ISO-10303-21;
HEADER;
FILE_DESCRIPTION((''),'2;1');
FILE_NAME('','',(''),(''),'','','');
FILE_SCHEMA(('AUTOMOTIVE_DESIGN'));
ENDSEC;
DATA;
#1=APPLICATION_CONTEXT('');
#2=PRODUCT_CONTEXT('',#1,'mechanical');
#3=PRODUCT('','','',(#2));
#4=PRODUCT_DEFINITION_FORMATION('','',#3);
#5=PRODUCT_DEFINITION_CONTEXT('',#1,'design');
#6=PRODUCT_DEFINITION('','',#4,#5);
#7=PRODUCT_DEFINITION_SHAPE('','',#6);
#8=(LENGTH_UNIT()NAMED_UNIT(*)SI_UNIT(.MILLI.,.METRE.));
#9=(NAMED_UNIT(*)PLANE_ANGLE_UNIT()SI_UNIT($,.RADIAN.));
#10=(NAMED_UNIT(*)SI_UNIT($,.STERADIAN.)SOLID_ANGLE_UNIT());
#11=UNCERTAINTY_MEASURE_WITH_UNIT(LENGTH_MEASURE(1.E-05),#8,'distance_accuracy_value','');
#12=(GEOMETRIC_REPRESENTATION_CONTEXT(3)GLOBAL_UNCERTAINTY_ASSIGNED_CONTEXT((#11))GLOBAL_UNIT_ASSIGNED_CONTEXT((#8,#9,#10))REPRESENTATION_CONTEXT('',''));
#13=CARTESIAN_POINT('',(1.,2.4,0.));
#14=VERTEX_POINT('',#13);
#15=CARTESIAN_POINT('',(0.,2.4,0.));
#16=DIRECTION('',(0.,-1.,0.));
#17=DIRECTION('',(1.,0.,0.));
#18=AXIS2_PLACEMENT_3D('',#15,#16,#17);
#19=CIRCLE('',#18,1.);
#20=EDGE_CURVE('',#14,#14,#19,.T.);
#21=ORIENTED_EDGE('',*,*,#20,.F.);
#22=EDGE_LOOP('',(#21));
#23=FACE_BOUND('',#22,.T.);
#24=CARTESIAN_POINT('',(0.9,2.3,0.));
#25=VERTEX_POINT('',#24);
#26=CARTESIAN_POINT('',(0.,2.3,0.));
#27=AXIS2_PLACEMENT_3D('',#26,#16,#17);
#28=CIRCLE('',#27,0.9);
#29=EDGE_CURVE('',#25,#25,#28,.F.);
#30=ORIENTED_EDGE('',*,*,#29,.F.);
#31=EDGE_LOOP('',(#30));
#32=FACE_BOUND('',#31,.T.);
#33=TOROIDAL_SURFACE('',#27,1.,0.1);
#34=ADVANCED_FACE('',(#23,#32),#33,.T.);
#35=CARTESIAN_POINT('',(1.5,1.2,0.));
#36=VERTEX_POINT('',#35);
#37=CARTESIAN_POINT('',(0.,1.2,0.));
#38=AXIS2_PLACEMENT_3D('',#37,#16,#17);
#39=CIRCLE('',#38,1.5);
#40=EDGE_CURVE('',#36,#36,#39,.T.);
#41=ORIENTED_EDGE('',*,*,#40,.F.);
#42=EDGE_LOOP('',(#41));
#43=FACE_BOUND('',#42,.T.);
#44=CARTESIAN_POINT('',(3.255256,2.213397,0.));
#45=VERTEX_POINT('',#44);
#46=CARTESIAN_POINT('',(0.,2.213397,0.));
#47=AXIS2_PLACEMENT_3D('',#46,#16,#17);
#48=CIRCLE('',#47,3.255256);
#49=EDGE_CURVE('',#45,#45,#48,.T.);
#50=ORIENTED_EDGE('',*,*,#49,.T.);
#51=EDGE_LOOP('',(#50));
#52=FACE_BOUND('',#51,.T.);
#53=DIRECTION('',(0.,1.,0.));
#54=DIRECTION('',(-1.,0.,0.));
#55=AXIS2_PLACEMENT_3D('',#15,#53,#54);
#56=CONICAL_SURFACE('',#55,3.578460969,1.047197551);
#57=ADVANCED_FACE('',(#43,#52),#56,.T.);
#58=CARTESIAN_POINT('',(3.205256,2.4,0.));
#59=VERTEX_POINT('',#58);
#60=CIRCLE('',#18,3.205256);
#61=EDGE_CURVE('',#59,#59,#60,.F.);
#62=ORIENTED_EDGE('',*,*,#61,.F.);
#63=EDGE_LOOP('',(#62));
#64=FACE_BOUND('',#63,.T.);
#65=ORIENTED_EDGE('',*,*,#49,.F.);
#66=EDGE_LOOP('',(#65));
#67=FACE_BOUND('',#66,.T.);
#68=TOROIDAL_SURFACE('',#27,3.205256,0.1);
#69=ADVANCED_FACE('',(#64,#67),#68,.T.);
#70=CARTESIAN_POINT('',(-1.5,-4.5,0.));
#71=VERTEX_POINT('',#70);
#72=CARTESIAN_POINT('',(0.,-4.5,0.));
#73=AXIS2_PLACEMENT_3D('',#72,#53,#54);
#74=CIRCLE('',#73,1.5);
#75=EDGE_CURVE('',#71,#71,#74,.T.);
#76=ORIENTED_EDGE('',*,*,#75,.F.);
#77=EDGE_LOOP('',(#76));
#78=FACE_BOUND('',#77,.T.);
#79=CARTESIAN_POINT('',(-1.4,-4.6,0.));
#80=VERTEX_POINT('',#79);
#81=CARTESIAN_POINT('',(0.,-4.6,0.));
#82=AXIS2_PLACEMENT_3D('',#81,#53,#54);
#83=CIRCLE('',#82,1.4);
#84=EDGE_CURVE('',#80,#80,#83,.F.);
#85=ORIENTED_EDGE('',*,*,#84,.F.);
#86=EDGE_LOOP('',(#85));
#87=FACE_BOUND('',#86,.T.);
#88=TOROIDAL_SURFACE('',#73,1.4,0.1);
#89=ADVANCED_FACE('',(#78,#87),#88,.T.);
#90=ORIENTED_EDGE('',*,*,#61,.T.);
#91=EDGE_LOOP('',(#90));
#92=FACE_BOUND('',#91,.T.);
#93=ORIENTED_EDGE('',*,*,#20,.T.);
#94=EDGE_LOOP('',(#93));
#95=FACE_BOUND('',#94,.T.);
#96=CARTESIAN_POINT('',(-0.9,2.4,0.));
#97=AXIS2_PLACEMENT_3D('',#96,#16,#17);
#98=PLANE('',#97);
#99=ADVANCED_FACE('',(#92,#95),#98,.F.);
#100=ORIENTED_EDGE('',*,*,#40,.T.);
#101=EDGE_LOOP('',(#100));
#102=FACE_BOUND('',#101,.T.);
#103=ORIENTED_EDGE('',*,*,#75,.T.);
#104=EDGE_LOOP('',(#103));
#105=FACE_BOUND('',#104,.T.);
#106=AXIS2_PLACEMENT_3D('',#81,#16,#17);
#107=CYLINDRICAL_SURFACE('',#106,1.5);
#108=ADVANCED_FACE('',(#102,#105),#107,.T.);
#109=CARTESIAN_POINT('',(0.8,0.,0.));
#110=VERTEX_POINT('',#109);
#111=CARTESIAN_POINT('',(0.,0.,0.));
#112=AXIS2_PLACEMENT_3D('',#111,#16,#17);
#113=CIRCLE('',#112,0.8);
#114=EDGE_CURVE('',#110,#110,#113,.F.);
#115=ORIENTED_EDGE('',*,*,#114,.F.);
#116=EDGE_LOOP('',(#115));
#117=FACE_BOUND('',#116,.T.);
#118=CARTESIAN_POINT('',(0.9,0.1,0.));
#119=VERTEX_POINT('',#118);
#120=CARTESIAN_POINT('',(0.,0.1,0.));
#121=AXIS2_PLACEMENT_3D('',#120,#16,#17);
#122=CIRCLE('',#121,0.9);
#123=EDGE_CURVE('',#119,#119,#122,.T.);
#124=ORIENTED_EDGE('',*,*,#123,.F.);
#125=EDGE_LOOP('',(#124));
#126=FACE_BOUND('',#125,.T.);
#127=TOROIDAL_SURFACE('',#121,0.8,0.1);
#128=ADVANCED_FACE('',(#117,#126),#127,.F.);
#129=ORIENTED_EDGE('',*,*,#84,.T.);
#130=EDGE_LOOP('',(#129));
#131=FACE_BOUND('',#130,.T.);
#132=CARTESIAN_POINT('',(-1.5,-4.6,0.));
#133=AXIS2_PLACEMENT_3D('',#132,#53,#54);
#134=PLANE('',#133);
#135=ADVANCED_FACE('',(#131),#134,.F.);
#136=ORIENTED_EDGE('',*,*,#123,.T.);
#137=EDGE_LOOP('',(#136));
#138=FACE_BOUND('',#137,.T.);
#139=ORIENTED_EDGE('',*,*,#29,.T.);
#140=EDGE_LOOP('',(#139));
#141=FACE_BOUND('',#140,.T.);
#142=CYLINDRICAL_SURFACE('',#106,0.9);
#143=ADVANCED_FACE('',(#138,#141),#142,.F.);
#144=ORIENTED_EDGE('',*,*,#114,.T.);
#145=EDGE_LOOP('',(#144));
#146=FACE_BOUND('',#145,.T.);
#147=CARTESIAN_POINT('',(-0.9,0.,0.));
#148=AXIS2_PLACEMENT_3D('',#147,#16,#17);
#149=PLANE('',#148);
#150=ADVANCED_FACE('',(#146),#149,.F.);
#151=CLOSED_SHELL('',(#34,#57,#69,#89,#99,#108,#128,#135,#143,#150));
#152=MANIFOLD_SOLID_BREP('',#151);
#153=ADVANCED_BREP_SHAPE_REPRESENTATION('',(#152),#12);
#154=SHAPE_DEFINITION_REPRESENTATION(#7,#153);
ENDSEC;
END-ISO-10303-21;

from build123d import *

# Parameters (mm, degrees)
FILLET_1_R = 0.1


with BuildPart() as part:
    # 草图1 → 旋转1 (revolve)
    with BuildSketch(Plane.XY, mode=Mode.PRIVATE) as revolve_1_sk:
        Polygon((-0.9, 2.4), (-3.578460969, 2.4), (-1.5, 1.2), (-1.5, -4.6), (0, -4.6), (0, 0), (-0.9, 0), align=None)
    revolve(revolve_1_sk.sketch.rotate(Axis((0, -4.6, 0), (0, 1, 0)), 180), axis=Axis((0, -4.6, 0), (0, 1, 0)))

    # 圆角1
    fillet_1_edges = [part.edges().sort_by_distance(p)[0] for p in [
        (-0.9, 0, 0),
        (-1.5, -4.6, 0),
        (-3.578460969, 2.4, 0),
        (-0.9, 2.4, 0),
    ]]
    fillet(fillet_1_edges, radius=FILLET_1_R)


solid = part.part
